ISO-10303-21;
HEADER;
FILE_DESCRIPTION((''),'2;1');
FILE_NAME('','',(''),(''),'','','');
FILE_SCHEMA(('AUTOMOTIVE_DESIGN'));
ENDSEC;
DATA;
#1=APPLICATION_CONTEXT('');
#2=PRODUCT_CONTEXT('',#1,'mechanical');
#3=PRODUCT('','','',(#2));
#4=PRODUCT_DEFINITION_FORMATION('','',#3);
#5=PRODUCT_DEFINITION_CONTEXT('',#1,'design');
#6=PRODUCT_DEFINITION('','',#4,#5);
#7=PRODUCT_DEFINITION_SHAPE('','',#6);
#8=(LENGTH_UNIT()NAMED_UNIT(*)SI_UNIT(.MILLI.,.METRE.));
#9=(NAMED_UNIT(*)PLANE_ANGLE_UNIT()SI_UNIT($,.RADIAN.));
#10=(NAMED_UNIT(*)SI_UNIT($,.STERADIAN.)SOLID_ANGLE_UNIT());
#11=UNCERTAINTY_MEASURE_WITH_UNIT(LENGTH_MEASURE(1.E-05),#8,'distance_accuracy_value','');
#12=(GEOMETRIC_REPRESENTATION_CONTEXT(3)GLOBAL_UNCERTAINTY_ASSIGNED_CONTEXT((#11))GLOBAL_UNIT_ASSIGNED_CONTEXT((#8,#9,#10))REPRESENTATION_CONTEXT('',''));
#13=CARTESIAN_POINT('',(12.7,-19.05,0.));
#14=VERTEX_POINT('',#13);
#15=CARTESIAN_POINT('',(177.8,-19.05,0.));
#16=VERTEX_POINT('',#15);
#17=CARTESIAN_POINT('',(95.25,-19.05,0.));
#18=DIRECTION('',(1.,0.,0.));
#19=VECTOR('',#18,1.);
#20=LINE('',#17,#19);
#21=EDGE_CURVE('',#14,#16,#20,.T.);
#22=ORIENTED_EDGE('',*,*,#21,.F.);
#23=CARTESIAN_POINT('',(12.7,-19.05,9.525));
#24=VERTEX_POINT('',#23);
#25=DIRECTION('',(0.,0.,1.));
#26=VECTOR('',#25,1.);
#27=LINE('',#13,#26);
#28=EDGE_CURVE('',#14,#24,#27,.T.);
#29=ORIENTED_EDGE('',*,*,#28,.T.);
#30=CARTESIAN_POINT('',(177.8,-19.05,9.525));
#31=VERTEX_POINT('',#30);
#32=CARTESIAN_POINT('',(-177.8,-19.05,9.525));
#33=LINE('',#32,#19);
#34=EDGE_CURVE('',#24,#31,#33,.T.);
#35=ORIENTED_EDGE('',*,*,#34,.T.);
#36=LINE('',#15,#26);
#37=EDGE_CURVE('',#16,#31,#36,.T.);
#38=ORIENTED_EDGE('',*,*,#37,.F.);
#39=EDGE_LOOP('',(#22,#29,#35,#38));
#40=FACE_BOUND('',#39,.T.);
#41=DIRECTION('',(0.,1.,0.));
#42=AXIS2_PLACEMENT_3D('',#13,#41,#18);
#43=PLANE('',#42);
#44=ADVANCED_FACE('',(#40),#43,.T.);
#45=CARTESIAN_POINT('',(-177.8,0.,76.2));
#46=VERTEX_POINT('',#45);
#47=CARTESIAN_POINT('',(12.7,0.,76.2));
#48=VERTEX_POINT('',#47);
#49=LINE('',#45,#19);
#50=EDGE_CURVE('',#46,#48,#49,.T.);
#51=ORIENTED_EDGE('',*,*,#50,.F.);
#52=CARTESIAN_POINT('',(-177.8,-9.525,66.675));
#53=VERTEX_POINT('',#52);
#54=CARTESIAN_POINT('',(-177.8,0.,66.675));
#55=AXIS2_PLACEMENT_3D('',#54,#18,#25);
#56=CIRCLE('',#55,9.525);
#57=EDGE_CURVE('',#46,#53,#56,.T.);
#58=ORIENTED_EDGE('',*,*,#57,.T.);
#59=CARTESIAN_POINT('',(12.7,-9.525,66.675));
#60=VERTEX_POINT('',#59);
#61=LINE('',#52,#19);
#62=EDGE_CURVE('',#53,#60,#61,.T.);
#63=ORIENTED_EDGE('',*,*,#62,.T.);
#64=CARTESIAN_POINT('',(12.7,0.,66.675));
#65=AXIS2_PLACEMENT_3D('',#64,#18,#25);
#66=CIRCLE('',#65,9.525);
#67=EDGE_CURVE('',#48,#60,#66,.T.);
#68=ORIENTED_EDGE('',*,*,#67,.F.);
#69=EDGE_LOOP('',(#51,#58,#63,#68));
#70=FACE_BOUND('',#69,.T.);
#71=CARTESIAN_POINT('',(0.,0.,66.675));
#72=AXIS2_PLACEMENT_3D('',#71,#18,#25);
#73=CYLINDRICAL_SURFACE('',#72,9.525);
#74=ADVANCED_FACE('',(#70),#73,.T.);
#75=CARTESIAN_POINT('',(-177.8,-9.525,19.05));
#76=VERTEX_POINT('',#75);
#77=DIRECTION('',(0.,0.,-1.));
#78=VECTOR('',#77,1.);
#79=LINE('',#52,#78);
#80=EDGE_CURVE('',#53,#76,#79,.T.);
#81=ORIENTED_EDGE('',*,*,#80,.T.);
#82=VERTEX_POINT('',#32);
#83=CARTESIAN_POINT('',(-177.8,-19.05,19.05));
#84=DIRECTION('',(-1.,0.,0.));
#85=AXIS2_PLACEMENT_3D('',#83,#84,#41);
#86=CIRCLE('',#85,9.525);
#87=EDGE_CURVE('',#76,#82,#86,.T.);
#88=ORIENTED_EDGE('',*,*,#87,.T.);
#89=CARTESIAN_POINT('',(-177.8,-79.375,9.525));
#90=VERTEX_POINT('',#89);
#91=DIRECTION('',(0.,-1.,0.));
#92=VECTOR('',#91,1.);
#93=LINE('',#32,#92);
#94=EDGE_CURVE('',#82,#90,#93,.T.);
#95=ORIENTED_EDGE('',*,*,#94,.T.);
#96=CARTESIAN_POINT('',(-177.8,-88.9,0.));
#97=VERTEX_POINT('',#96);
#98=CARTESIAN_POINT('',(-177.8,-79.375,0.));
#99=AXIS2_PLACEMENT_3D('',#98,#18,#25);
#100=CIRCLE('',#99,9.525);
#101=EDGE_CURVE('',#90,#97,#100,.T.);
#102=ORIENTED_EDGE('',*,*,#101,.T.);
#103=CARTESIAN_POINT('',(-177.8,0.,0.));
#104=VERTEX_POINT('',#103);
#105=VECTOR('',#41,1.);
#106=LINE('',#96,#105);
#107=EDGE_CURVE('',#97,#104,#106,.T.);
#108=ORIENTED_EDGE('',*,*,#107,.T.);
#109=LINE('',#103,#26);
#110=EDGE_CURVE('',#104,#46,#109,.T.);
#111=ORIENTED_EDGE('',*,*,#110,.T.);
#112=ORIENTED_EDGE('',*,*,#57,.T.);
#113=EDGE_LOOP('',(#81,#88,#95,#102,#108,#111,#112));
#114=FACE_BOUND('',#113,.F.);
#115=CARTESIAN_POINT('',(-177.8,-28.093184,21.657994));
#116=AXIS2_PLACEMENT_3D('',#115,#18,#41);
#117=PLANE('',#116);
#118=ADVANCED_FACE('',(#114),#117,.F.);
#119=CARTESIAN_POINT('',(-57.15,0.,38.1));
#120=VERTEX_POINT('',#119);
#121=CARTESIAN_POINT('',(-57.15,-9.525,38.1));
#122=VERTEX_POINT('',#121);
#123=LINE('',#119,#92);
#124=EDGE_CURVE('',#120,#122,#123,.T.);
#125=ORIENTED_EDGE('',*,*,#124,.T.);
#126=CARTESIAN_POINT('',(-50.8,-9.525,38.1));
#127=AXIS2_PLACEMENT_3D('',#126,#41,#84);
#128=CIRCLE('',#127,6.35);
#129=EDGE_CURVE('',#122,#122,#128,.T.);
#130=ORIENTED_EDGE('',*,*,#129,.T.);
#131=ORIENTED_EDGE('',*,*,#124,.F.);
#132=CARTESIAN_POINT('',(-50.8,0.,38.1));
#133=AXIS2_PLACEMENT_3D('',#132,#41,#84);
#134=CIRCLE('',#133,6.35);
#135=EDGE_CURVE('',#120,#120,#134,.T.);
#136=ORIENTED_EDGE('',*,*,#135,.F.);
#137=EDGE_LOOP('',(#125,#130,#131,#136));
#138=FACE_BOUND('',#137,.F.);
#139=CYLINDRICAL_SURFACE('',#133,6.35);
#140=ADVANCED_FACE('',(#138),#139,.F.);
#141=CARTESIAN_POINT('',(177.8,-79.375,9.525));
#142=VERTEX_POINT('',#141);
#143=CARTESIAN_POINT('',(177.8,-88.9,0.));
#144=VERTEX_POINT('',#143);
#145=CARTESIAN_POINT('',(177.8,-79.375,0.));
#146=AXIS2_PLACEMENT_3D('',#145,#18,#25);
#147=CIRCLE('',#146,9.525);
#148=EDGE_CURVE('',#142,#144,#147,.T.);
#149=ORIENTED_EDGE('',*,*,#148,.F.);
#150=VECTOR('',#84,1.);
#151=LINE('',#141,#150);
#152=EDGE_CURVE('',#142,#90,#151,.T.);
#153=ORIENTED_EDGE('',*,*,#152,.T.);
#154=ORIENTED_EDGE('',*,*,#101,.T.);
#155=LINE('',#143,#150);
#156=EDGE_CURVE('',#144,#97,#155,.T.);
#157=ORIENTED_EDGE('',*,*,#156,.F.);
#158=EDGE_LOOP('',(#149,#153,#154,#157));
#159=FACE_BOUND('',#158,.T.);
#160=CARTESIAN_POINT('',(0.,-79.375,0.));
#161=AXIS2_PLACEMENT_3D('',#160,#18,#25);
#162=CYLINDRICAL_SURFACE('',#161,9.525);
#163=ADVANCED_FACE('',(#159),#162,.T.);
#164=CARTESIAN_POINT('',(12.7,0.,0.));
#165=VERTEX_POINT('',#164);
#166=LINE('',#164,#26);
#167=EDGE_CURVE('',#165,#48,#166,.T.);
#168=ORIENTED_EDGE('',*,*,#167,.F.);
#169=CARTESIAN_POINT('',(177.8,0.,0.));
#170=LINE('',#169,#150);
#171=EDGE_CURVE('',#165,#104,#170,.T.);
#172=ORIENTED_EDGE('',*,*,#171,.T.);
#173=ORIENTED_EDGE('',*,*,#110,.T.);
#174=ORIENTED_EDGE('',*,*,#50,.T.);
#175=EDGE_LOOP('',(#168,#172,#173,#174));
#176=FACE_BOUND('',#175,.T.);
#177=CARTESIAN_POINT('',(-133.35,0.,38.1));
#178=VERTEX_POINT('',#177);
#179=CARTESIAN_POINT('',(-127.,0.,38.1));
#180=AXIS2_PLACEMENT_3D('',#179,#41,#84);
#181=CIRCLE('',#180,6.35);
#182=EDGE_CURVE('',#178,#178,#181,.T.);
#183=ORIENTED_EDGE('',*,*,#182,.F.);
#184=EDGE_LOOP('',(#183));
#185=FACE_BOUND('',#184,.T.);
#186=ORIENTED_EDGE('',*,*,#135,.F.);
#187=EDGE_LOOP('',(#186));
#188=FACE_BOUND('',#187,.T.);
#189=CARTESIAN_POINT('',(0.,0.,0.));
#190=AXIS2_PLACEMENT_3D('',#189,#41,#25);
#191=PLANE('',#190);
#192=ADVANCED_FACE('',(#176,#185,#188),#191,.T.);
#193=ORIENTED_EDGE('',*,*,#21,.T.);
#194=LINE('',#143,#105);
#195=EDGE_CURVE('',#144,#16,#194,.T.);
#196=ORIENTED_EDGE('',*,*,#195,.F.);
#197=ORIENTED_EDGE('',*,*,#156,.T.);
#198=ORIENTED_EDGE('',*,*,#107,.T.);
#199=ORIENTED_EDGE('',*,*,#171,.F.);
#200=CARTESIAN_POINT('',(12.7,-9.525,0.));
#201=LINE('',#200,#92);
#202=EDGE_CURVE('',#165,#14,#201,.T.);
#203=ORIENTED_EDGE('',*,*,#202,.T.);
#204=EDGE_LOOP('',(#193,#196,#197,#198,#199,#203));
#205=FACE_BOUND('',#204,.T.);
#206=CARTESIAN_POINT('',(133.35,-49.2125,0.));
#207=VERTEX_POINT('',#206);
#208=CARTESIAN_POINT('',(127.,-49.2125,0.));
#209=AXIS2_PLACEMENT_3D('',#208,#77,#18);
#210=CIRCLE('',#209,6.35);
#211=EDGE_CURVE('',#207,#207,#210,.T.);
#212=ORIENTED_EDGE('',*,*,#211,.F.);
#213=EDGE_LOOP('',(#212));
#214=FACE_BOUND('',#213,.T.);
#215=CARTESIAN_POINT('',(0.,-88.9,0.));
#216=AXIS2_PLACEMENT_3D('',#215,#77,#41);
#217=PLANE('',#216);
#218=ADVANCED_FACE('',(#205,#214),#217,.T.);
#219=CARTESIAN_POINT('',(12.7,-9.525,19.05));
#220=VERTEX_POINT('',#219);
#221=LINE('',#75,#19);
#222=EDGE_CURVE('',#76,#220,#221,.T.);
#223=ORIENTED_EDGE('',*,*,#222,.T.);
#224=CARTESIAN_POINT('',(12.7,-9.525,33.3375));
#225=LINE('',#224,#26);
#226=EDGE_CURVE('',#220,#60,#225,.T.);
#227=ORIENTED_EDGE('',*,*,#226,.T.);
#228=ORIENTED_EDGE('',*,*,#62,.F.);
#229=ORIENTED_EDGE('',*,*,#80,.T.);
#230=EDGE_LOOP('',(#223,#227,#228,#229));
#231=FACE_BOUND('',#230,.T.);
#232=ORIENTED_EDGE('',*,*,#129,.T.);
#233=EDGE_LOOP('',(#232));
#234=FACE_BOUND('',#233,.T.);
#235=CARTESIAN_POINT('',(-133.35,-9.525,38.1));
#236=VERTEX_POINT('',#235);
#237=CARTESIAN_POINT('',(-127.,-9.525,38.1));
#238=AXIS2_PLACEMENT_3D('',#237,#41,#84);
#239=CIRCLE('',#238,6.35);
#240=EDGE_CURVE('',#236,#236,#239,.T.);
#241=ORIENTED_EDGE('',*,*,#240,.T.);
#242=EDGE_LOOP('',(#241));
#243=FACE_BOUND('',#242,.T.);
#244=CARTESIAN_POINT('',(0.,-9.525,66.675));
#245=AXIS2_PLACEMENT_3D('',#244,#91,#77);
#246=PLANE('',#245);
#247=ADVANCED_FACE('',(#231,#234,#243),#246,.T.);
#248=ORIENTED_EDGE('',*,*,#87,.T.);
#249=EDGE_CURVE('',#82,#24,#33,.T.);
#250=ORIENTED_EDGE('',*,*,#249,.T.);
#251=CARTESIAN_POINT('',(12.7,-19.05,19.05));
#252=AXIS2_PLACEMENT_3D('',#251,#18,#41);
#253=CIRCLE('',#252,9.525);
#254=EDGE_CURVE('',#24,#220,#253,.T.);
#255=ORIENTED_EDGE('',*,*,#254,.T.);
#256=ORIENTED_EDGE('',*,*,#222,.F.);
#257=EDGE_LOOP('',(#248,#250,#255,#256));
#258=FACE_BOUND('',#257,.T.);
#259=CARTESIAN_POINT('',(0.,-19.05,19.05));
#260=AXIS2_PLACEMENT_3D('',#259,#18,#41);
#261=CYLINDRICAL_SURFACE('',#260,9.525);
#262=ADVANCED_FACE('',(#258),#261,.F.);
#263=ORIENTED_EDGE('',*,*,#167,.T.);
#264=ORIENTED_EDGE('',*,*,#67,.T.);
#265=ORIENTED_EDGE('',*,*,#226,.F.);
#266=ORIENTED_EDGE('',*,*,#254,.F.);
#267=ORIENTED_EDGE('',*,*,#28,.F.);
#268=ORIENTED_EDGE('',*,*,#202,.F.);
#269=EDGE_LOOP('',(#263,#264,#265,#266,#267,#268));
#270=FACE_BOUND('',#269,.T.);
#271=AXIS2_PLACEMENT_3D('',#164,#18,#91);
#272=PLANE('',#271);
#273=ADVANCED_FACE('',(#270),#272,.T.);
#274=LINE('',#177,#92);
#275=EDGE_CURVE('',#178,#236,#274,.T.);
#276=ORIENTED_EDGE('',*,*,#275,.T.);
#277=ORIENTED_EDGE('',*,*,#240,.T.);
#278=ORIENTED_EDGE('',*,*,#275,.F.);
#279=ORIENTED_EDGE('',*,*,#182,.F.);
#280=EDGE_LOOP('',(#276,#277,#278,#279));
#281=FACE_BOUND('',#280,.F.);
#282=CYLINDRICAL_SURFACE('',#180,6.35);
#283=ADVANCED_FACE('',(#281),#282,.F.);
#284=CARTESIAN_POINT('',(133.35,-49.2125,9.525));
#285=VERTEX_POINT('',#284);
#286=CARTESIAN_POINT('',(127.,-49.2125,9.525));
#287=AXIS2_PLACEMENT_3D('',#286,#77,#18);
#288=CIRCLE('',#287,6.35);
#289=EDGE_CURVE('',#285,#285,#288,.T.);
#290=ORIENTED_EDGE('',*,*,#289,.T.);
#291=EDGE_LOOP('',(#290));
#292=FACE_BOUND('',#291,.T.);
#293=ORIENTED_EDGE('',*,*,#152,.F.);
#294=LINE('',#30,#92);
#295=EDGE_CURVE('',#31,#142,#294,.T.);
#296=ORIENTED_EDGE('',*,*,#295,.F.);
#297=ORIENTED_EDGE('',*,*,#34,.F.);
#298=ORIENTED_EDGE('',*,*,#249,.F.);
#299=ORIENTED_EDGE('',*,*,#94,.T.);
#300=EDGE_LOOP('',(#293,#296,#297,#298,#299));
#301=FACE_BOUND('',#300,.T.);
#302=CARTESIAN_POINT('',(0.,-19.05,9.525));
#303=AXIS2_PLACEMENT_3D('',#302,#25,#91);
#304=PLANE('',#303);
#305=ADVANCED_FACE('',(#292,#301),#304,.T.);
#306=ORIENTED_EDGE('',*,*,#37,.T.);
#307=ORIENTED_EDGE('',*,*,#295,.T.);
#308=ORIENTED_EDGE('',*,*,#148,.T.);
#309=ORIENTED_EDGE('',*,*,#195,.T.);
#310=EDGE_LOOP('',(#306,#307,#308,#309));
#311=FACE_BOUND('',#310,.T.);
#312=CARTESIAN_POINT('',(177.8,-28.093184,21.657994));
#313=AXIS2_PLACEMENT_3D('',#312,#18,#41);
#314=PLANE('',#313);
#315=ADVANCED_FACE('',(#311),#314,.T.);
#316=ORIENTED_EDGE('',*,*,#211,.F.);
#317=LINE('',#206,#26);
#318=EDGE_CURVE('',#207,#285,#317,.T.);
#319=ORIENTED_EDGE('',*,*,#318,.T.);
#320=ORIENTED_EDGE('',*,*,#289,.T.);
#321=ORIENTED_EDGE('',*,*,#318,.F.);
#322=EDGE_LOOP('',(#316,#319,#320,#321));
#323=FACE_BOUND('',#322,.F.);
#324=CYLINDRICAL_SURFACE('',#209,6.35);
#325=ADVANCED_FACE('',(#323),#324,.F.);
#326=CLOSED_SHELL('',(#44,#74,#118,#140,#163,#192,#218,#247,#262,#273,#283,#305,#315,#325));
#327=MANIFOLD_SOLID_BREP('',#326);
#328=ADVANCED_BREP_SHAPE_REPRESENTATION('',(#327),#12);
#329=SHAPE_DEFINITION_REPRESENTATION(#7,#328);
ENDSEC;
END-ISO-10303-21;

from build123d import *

# Parameters (mm, degrees)
F1_DEPTH = 177.8
F2_R     = 6.35
F3_DEPTH = 25.4
F4_W     = 165.1
F4_H     = 19.05
F5_DEPTH = 76.201
F6_R     = 6.35
F7_DEPTH = 25.4


with BuildPart() as f1:
    # F0 (on Right) → F1 (new body, symmetric)
    with BuildSketch(Plane.YZ):
        with BuildLine():
            Line((0, 0), (0, 76.2))
            ThreePointArc((0, 76.2), (-6.7351920908, 73.4101920908), (-9.525, 66.675))
            Line((-9.525, 66.675), (-9.525, 19.05))
            ThreePointArc((-9.525, 19.05), (-12.3148079092, 12.3148079092), (-19.05, 9.525))
            Line((-19.05, 9.525), (-79.375, 9.525))
            ThreePointArc((-79.375, 9.525), (-86.1101920908, 6.7351920908), (-88.9, 0))
            Line((-88.9, 0), (0, 0))
        make_face()
    extrude(amount=F1_DEPTH, both=True)

    # F2 (on face) → F3 (cut)
    with BuildSketch(Plane(origin=(0, 0, 0), x_dir=(-1, 0, 0), z_dir=(0, 1, 0))):
        with Locations((127, 38.1)):
            Circle(F2_R)
        with Locations((50.8, 38.1)):
            Circle(F2_R)
    extrude(amount=-F3_DEPTH, mode=Mode.SUBTRACT)

    # F4 (on face) → F5 (cut, through all)
    with BuildSketch(Plane(origin=(0, 0, 0), x_dir=(1, 0, 0), z_dir=(0, 0, -1))):
        with Locations((95.25, 9.525)):
            Rectangle(F4_W, F4_H)
    extrude(amount=-F5_DEPTH, mode=Mode.SUBTRACT)

    # F6 (on face) → F7 (cut)
    with BuildSketch(Plane(origin=(0, 0, 0), x_dir=(1, 0, 0), z_dir=(0, 0, -1))):
        with Locations((127, 49.2125)):
            Circle(F6_R)
    extrude(amount=-F7_DEPTH, mode=Mode.SUBTRACT)


solid = f1.part
